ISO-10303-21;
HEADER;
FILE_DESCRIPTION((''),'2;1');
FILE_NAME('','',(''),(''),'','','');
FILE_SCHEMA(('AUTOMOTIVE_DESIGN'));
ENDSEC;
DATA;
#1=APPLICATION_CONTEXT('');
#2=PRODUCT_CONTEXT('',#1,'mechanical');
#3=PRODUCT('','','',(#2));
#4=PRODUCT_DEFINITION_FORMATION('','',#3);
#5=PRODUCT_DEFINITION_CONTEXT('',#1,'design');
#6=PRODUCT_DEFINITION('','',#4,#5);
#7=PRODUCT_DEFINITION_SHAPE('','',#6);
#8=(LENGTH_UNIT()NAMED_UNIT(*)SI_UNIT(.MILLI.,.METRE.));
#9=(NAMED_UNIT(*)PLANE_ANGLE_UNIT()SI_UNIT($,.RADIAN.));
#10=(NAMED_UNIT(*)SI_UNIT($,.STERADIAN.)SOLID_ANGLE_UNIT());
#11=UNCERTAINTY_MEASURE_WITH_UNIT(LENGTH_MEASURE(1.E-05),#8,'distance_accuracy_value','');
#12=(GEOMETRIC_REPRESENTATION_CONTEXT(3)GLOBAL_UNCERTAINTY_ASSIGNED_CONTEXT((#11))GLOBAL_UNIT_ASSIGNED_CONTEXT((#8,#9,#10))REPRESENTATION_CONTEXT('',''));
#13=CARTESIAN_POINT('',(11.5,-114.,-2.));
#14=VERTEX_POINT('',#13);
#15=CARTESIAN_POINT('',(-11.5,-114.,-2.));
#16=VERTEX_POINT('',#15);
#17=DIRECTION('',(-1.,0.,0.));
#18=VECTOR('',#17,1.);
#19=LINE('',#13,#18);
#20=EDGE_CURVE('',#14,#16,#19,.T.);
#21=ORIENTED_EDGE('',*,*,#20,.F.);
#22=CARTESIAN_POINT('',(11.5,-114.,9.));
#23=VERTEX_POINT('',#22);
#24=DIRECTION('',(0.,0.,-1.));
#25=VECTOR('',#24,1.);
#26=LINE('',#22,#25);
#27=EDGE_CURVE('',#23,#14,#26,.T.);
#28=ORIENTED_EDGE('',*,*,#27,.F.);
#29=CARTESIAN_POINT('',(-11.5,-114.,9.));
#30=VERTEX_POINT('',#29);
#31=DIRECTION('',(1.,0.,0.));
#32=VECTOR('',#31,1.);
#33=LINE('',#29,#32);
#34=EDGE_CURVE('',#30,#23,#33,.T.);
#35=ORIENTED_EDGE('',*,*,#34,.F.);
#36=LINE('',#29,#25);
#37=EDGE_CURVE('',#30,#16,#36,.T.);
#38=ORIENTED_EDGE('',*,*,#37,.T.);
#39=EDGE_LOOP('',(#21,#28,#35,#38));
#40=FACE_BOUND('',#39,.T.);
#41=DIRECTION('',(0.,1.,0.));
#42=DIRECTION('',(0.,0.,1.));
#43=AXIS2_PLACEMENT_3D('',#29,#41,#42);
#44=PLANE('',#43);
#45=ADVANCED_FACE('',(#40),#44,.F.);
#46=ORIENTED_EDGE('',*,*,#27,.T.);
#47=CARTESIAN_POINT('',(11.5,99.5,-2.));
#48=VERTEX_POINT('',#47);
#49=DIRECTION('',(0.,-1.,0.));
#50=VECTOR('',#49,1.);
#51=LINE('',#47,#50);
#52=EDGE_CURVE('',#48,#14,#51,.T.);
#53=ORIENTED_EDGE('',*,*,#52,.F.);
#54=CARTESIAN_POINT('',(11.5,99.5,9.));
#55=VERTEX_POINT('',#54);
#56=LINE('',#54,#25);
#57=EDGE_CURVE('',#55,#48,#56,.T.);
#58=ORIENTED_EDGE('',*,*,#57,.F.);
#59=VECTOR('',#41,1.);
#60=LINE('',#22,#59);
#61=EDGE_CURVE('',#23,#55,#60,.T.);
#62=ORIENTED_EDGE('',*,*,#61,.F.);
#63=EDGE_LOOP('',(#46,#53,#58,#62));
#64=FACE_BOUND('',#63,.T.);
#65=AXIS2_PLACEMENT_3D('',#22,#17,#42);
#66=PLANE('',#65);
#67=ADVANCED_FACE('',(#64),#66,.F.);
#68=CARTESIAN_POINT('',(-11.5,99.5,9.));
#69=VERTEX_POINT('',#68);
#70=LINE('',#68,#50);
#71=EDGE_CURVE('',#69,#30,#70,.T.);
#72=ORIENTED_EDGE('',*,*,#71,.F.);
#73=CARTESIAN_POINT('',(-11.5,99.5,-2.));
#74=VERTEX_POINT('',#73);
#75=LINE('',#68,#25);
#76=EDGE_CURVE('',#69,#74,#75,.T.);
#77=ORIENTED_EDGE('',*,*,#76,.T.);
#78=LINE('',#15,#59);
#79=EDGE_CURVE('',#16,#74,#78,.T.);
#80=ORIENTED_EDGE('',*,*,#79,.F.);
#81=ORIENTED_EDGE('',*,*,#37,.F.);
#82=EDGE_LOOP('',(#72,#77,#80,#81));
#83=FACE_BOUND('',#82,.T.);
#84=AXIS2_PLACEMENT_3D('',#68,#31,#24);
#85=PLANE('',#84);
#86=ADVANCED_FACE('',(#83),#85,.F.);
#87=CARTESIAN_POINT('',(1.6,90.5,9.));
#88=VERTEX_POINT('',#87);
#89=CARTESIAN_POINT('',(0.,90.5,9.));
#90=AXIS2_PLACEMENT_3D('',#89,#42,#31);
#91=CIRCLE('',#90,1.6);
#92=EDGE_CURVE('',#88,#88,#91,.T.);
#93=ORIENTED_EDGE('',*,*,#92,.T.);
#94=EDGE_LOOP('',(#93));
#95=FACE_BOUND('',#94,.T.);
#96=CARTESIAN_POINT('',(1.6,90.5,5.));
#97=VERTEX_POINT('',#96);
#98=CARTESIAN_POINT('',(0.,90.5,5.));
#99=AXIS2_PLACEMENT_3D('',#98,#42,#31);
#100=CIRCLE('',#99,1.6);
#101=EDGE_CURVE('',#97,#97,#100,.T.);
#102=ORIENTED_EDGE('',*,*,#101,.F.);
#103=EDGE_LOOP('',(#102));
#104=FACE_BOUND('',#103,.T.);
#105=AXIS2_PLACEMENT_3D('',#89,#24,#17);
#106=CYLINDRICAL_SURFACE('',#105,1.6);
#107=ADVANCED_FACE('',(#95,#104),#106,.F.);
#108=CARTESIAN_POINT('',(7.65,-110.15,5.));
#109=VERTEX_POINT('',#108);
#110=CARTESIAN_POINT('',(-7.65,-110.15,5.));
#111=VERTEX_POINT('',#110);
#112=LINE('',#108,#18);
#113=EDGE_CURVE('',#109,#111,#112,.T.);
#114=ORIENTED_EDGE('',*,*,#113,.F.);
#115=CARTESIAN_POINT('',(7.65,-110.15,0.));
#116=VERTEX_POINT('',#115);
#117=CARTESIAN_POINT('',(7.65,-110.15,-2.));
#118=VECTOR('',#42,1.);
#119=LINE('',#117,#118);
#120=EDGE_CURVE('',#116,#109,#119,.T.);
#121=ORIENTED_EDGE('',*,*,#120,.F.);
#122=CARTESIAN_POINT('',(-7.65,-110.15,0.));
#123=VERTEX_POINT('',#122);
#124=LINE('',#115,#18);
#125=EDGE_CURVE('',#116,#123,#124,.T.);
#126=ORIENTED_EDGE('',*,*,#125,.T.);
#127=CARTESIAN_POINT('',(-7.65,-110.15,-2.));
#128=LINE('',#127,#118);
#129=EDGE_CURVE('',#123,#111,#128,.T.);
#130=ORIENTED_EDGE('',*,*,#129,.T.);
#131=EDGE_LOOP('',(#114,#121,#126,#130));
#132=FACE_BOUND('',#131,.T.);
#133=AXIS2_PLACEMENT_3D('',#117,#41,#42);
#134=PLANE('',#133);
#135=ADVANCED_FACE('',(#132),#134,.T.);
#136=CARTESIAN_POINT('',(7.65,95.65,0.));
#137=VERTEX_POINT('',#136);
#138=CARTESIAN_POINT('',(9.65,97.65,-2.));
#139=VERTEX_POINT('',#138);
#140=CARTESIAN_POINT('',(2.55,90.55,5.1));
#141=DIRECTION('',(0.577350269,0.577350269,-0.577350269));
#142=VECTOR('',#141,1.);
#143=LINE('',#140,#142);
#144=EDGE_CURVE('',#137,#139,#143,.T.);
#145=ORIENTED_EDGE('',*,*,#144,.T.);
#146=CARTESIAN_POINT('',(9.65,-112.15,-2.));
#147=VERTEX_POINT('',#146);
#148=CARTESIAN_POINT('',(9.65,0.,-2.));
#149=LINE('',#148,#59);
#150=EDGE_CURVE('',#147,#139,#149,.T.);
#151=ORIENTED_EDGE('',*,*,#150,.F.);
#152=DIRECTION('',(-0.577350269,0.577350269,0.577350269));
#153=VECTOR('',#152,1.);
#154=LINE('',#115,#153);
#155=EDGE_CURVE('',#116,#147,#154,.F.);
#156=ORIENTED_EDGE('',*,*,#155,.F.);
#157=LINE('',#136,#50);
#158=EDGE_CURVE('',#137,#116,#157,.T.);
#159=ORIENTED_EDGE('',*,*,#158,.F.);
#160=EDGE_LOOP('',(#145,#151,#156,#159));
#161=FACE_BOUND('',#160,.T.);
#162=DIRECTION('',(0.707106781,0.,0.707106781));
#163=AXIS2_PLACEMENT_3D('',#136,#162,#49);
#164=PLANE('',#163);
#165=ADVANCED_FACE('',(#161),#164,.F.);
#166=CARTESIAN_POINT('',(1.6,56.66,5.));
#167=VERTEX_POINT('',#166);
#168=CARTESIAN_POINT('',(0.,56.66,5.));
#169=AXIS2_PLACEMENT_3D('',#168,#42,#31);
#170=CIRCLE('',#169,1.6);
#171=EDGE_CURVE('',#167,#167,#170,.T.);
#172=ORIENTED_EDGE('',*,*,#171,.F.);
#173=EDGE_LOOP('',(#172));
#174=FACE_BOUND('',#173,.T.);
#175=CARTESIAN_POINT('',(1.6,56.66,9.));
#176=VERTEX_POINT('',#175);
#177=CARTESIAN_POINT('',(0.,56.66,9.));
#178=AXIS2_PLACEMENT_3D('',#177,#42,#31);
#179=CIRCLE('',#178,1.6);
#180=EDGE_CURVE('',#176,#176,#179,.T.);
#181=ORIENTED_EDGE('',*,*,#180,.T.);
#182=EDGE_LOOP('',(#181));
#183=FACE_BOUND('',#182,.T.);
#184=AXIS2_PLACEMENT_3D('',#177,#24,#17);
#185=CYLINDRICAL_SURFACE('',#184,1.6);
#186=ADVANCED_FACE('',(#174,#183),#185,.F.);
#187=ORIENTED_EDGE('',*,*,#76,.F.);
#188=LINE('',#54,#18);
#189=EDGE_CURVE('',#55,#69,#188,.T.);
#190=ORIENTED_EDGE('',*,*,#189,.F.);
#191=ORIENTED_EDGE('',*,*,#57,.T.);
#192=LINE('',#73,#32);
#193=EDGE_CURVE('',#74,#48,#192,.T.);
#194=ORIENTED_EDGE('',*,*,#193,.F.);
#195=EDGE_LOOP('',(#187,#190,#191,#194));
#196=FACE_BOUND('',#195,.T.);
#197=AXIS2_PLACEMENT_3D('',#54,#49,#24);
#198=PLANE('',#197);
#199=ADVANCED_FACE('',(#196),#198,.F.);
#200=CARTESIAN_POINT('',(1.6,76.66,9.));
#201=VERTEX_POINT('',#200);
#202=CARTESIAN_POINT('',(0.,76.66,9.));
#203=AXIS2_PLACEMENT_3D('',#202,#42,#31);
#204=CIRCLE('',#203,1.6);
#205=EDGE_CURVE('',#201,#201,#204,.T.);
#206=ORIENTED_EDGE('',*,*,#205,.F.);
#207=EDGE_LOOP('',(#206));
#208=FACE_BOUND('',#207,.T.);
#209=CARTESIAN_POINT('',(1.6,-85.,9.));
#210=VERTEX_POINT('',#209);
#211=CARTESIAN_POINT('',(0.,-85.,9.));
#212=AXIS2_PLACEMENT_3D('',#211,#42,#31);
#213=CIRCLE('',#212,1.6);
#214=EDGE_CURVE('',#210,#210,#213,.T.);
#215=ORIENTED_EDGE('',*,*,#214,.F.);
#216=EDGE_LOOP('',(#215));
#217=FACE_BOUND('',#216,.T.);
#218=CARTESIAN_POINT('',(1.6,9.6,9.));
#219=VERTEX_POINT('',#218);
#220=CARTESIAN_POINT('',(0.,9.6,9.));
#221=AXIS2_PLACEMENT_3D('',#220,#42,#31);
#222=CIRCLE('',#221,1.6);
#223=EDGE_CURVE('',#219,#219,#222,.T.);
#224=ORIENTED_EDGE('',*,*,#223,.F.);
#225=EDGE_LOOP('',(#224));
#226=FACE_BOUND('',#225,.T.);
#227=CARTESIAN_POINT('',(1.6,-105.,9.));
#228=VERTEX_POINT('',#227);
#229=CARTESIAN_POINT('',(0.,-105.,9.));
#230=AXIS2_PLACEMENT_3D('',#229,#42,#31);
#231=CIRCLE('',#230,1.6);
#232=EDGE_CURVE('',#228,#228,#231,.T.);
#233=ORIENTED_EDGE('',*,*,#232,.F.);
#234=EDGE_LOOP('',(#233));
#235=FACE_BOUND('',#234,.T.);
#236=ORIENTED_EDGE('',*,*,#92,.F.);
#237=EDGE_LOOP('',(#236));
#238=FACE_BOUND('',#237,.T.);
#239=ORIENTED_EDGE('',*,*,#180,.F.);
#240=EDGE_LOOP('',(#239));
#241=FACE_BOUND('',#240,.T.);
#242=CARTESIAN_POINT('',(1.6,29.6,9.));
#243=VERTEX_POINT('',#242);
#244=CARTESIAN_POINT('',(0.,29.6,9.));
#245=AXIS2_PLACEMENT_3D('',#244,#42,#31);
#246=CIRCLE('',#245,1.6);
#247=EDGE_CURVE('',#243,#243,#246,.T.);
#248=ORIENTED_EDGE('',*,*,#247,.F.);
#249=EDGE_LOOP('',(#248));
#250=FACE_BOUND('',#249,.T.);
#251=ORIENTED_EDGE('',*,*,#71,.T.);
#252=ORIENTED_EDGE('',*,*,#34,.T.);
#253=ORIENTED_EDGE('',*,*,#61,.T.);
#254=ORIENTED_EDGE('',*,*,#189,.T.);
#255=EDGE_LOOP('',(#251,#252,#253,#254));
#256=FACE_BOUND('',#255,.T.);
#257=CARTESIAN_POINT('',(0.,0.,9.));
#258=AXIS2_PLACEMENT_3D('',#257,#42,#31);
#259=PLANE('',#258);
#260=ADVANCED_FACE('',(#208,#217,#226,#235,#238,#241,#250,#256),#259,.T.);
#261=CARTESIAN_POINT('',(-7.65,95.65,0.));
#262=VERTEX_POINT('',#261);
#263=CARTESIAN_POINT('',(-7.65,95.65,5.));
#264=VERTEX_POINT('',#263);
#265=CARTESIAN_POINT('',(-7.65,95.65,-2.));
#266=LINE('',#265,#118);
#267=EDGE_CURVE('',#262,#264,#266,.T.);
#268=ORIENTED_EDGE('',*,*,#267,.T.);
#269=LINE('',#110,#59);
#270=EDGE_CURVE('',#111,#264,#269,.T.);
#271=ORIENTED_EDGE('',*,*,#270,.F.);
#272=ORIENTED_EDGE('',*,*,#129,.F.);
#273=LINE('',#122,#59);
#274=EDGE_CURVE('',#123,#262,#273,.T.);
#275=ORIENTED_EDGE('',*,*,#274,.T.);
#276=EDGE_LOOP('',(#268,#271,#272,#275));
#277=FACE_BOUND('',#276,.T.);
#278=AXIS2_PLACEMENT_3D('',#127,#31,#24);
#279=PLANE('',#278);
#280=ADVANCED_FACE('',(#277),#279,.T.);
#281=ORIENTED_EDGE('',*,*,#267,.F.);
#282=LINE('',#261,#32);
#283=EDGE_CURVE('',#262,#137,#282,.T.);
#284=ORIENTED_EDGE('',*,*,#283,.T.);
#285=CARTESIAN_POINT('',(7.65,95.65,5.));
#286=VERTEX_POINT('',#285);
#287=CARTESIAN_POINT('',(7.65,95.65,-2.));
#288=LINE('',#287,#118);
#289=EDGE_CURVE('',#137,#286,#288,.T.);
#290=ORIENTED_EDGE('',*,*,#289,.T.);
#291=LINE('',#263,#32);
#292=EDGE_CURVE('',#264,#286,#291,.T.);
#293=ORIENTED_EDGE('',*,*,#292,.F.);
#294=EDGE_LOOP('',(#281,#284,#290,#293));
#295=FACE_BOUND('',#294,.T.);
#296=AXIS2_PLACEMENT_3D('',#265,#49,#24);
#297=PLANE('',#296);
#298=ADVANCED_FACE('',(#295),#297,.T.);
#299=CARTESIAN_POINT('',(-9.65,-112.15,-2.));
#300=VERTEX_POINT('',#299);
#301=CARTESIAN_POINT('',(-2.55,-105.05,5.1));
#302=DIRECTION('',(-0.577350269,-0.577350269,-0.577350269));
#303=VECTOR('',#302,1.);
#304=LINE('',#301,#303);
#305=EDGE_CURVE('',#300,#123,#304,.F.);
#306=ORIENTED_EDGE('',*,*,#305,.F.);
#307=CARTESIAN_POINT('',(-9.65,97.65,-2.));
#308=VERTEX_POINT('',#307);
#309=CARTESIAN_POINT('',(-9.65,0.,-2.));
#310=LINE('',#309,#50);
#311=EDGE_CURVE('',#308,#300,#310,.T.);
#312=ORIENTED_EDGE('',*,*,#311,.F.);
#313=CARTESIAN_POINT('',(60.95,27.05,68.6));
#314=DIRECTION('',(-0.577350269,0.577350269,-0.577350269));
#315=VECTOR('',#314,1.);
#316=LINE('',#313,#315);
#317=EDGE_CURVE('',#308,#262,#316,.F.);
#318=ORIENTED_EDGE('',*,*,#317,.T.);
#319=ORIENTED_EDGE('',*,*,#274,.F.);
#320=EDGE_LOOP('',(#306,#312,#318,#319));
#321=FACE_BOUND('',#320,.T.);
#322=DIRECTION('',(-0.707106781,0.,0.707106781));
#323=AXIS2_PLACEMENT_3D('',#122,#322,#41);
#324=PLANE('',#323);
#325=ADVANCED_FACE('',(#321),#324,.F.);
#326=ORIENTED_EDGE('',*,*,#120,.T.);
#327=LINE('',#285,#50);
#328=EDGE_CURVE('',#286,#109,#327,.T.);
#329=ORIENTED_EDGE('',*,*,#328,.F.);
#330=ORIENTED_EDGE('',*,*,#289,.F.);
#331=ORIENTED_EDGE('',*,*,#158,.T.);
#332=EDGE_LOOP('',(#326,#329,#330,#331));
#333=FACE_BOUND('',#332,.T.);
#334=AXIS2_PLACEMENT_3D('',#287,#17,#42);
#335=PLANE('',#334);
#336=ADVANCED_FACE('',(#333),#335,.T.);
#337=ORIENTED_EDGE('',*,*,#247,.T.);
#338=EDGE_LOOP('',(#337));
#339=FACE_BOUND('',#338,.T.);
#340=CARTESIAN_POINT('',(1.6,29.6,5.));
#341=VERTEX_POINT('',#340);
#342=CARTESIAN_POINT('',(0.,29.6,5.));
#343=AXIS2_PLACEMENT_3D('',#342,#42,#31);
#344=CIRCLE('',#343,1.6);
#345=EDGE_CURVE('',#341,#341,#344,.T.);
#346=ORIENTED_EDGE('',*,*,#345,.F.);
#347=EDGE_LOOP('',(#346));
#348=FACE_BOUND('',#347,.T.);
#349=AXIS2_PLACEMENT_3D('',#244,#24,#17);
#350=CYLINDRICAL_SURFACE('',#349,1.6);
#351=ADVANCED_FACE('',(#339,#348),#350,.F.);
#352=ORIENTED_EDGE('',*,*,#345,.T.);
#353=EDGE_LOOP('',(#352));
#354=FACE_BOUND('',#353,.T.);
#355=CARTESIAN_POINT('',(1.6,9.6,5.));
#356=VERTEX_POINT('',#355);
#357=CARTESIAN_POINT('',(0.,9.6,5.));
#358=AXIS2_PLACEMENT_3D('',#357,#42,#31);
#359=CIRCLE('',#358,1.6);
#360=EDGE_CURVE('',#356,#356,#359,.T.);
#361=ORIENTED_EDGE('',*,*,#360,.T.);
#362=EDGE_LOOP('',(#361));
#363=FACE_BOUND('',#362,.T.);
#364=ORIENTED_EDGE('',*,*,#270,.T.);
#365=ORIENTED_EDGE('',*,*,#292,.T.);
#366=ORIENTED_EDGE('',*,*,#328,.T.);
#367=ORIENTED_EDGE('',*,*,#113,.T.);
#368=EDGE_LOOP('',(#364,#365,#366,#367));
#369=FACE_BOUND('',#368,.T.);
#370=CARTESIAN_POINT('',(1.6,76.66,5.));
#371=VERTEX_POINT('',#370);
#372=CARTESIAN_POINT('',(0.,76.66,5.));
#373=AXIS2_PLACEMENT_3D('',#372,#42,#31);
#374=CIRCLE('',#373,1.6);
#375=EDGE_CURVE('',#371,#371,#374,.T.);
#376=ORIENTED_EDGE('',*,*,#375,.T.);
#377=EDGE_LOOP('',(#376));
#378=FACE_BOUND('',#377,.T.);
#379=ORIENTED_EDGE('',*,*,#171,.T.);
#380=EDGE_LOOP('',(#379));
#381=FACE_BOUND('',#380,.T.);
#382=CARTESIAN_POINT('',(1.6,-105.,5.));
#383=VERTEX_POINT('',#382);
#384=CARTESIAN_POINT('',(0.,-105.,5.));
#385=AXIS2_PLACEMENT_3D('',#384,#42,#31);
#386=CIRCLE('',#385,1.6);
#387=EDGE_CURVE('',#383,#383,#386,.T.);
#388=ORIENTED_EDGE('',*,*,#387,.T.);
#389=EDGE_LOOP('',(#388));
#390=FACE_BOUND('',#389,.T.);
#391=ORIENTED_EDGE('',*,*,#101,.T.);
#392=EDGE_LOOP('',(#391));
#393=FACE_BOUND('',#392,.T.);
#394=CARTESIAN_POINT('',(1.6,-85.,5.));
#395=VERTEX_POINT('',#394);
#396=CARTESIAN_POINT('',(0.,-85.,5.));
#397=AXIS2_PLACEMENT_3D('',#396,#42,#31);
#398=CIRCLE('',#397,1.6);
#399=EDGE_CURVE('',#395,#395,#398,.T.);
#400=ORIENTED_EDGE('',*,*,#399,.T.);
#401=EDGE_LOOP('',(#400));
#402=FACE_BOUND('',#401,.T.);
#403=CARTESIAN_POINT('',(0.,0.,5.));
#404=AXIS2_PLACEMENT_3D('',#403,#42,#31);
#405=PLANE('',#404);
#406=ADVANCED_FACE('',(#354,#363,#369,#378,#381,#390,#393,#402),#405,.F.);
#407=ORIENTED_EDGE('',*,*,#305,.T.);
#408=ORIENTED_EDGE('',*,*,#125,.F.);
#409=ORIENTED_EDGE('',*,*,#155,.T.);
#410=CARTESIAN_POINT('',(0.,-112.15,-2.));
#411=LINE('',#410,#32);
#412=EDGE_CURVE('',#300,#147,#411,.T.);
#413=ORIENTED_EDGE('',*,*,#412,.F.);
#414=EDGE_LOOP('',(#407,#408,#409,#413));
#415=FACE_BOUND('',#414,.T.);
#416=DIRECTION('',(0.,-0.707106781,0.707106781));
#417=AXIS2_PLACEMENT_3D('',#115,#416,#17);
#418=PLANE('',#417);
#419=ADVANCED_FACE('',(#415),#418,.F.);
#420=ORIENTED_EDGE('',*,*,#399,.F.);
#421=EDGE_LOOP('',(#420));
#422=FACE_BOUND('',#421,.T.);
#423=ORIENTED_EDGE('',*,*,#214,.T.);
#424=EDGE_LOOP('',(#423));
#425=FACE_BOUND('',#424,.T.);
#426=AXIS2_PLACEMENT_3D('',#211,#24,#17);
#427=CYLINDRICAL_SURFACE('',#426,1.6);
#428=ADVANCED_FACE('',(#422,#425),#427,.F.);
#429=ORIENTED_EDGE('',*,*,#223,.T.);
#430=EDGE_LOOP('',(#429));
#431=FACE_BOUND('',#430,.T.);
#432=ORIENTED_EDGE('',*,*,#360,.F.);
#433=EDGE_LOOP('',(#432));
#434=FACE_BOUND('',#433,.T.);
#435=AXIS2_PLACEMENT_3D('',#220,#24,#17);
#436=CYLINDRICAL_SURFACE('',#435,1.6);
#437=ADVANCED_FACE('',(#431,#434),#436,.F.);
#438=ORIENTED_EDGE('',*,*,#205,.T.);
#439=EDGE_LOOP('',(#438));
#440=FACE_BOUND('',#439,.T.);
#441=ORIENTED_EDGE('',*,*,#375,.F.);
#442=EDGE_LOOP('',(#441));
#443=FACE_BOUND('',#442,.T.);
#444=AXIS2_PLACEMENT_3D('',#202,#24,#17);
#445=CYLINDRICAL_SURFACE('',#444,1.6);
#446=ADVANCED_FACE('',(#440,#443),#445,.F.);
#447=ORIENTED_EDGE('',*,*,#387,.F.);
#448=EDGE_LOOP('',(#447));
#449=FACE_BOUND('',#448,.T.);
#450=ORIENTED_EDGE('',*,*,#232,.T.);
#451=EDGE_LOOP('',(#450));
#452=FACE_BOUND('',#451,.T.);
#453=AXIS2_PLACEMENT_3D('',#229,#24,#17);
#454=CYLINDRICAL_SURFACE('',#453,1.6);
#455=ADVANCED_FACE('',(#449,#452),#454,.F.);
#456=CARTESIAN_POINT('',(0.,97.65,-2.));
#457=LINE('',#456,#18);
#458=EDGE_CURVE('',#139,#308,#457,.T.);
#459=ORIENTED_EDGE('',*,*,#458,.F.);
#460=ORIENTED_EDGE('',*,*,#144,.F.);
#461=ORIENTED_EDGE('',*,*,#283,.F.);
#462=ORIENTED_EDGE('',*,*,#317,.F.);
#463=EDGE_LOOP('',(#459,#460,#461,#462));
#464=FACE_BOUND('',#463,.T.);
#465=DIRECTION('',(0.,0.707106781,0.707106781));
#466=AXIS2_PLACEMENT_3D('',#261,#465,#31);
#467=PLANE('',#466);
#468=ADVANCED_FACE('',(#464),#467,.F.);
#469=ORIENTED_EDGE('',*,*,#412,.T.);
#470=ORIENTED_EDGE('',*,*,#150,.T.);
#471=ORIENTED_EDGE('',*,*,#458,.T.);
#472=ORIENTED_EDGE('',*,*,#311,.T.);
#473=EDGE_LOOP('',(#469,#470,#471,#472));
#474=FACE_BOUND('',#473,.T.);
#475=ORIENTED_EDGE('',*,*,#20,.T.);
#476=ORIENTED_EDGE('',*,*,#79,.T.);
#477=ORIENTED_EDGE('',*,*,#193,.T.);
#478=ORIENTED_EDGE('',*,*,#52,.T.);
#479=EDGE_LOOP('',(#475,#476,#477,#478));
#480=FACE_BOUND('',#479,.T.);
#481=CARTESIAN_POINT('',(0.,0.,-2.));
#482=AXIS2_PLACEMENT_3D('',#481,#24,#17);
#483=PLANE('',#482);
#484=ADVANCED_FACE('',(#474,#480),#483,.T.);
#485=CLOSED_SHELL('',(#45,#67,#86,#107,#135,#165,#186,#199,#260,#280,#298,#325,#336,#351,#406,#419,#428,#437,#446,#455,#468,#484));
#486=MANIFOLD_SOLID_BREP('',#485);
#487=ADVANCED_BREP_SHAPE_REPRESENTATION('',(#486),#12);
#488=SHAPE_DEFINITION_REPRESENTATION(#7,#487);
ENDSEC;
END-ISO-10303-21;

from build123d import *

# Parameters (mm, degrees)
SKETCH_1_W      = 23
SKETCH_1_H      = 213.5
SKETCH_1_R      = 1.6
EXTRUDE_1_DEPTH = 4
SKETCH_2_W      = 23
SKETCH_2_H      = 213.5
SKETCH_2_W_2    = 15.3
SKETCH_2_H_2    = 205.8
EXTRUDE_2_DEPTH = 7
CHAMFER_1_SIZE  = 2


with BuildPart() as part:
    # ｽｹｯﾁ1 → ﾎﾞｽ - 押し出し1 (new body)
    with BuildSketch(Plane.XY.offset(5)):
        with Locations((0, -7.25)):
            Rectangle(SKETCH_1_W, SKETCH_1_H)
        with Locations((0, -105)):
            Circle(SKETCH_1_R, mode=Mode.SUBTRACT)
        with Locations((0, -85)):
            Circle(SKETCH_1_R, mode=Mode.SUBTRACT)
        with Locations((0, 90.5)):
            Circle(SKETCH_1_R, mode=Mode.SUBTRACT)
        with Locations((0, 76.66)):
            Circle(SKETCH_1_R, mode=Mode.SUBTRACT)
        with Locations((0, 56.66)):
            Circle(SKETCH_1_R, mode=Mode.SUBTRACT)
        with Locations((0, 29.6)):
            Circle(SKETCH_1_R, mode=Mode.SUBTRACT)
        with Locations((0, 9.6)):
            Circle(SKETCH_1_R, mode=Mode.SUBTRACT)
    extrude(amount=EXTRUDE_1_DEPTH)

    # ｽｹｯﾁ2 → ﾎﾞｽ - 押し出し2 (add)
    with BuildSketch(Plane(origin=(0, 0, 5), x_dir=(-1, 0, 0), z_dir=(0, 0, -1))):
        with Locations((0, -7.25)):
            Rectangle(SKETCH_2_W, SKETCH_2_H)
        with Locations((0, -7.25)):
            Rectangle(SKETCH_2_W_2, SKETCH_2_H_2, mode=Mode.SUBTRACT)
    extrude(amount=EXTRUDE_2_DEPTH)

    # 面取り1
    chamfer_1_edges = [part.edges().sort_by_distance(p)[0] for p in [
        (0, -110.15, -2),
        (-7.65, -7.25, -2),
        (0, 95.65, -2),
        (7.65, -7.25, -2),
    ]]
    chamfer(chamfer_1_edges, length=CHAMFER_1_SIZE)


solid = part.part
